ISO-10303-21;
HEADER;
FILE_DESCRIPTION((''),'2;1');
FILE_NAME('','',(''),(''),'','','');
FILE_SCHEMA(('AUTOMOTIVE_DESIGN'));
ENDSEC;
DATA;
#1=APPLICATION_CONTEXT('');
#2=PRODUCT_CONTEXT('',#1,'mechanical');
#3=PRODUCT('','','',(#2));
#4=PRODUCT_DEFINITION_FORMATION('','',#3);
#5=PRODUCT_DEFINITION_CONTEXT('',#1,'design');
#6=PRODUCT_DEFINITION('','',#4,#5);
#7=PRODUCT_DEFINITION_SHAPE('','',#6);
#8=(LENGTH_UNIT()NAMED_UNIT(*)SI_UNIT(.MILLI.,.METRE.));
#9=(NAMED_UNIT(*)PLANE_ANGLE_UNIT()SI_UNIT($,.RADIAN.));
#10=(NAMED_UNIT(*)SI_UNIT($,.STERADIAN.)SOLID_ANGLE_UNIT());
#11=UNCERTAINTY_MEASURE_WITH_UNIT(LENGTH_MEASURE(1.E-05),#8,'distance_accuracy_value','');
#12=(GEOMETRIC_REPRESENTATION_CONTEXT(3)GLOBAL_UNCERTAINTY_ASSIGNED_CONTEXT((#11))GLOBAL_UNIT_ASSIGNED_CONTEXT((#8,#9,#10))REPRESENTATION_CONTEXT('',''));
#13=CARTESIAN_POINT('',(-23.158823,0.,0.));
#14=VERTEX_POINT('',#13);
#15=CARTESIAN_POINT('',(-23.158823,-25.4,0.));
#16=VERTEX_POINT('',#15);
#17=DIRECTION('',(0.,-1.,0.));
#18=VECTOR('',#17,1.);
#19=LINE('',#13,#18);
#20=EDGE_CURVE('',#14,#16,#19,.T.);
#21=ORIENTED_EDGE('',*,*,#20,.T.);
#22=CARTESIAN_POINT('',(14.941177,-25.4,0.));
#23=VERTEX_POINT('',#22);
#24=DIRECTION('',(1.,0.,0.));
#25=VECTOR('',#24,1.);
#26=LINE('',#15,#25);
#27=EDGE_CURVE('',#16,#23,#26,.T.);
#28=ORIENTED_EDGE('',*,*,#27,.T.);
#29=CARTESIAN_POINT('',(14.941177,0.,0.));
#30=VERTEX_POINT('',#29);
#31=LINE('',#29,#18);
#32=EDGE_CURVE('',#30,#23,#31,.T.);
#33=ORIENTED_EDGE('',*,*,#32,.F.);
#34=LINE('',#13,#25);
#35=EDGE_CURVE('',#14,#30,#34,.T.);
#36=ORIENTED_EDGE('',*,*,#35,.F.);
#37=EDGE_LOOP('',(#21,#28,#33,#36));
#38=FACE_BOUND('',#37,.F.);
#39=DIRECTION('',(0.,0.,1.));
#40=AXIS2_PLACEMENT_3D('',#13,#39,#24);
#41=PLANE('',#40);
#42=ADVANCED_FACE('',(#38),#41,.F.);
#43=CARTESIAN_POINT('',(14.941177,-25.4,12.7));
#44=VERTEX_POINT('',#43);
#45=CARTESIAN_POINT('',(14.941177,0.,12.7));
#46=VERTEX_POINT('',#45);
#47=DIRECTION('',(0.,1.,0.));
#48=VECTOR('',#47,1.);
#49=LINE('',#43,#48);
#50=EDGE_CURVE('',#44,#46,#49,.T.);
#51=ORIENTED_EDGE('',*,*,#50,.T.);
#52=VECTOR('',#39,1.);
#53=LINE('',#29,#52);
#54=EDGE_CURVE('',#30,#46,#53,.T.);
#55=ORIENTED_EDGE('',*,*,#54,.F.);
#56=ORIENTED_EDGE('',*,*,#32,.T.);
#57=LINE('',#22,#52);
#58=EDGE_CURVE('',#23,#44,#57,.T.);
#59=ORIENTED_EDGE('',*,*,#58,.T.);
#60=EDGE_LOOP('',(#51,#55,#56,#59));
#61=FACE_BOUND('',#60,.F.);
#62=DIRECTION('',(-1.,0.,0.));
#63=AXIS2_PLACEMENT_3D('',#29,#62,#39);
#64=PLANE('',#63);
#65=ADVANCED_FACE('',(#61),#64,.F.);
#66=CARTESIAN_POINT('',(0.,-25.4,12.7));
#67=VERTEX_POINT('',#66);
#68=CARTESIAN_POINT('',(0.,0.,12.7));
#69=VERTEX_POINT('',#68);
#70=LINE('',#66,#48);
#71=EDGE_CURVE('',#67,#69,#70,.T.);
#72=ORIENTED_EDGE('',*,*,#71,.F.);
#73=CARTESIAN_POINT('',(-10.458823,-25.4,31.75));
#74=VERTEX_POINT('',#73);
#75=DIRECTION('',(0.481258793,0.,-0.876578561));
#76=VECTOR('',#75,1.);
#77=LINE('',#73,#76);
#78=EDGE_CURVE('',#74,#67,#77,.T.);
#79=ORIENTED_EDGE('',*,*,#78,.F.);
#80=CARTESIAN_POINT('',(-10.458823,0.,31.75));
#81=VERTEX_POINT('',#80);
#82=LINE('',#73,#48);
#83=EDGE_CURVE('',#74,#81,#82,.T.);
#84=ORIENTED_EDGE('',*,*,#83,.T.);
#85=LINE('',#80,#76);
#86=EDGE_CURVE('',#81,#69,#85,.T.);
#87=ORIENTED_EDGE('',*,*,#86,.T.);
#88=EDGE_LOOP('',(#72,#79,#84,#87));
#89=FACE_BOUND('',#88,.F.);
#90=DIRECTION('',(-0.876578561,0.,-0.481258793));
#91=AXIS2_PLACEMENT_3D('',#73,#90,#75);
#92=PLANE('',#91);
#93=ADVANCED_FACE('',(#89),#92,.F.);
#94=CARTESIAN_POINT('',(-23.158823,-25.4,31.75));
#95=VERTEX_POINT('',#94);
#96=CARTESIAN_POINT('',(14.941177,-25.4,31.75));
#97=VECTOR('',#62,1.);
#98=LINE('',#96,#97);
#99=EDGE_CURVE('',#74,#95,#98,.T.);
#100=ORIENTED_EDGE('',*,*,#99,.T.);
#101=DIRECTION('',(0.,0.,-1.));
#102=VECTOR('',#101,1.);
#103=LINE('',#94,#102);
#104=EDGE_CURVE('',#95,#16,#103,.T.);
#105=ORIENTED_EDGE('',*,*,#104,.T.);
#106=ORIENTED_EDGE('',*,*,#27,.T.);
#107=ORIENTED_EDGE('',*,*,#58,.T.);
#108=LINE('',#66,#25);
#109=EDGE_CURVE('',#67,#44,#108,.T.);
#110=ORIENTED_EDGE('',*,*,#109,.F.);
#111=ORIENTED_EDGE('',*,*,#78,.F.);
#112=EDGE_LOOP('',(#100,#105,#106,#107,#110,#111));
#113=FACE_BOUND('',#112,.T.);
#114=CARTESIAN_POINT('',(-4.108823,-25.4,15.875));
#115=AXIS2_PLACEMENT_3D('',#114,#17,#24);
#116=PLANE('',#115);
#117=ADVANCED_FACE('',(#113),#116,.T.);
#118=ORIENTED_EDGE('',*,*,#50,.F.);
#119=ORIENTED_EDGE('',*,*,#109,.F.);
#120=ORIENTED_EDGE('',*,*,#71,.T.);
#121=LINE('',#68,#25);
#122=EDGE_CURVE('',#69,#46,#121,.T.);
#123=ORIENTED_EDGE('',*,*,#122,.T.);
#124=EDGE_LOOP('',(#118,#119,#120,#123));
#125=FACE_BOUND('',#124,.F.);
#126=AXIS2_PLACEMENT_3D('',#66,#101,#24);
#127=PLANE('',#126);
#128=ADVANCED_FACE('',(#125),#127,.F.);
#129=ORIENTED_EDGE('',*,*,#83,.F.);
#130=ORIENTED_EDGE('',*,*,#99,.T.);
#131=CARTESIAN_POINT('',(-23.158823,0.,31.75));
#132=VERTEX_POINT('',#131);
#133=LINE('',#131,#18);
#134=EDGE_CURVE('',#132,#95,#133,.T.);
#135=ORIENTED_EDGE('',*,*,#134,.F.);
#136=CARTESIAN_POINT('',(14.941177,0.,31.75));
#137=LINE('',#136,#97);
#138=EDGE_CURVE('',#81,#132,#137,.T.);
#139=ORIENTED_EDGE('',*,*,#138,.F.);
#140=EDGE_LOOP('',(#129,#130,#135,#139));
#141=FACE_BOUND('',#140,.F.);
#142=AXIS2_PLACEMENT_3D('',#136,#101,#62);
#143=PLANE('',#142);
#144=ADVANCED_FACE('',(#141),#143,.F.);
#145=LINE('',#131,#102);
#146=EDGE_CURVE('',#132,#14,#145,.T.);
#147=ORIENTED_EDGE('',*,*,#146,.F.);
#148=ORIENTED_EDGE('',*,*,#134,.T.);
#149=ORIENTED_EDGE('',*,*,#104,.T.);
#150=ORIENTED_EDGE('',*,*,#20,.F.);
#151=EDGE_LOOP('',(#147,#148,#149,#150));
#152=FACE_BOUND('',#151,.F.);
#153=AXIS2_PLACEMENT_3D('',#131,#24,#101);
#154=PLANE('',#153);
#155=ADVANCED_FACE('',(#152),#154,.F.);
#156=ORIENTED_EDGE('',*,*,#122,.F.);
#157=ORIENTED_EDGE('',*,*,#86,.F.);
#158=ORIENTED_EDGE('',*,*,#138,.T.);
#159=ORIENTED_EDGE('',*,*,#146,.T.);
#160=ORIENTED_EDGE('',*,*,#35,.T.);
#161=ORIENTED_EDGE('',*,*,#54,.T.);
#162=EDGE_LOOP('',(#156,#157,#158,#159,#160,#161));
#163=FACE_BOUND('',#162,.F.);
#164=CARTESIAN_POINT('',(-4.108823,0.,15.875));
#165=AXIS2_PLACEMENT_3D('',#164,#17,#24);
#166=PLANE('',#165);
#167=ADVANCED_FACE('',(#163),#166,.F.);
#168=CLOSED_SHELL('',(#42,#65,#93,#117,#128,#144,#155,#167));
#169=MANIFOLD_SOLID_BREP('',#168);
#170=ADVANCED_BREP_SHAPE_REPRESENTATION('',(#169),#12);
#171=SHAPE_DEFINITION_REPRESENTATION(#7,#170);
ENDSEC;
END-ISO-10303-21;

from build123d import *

# Parameters (mm, degrees)
F1_DEPTH = 25.4
F3_DEPTH = 25.4


with BuildPart() as f1:
    # F0 (on Front) → F1 (new body)
    with BuildSketch(Plane.XZ):
        Polygon((-23.158823, 0), (0, 0), (14.941177, 0), (14.941177, 31.75), (-23.158823, 31.75), align=None)
    extrude(amount=F1_DEPTH)

    # F2 (on face) → F3 (cut)
    with BuildSketch(Plane.XZ.offset(25.4)):
        Polygon((14.941177, 31.75), (-10.458823, 31.75), (0, 12.7), (14.941177, 12.7), align=None)
    extrude(amount=-F3_DEPTH, mode=Mode.SUBTRACT)


solid = f1.part
